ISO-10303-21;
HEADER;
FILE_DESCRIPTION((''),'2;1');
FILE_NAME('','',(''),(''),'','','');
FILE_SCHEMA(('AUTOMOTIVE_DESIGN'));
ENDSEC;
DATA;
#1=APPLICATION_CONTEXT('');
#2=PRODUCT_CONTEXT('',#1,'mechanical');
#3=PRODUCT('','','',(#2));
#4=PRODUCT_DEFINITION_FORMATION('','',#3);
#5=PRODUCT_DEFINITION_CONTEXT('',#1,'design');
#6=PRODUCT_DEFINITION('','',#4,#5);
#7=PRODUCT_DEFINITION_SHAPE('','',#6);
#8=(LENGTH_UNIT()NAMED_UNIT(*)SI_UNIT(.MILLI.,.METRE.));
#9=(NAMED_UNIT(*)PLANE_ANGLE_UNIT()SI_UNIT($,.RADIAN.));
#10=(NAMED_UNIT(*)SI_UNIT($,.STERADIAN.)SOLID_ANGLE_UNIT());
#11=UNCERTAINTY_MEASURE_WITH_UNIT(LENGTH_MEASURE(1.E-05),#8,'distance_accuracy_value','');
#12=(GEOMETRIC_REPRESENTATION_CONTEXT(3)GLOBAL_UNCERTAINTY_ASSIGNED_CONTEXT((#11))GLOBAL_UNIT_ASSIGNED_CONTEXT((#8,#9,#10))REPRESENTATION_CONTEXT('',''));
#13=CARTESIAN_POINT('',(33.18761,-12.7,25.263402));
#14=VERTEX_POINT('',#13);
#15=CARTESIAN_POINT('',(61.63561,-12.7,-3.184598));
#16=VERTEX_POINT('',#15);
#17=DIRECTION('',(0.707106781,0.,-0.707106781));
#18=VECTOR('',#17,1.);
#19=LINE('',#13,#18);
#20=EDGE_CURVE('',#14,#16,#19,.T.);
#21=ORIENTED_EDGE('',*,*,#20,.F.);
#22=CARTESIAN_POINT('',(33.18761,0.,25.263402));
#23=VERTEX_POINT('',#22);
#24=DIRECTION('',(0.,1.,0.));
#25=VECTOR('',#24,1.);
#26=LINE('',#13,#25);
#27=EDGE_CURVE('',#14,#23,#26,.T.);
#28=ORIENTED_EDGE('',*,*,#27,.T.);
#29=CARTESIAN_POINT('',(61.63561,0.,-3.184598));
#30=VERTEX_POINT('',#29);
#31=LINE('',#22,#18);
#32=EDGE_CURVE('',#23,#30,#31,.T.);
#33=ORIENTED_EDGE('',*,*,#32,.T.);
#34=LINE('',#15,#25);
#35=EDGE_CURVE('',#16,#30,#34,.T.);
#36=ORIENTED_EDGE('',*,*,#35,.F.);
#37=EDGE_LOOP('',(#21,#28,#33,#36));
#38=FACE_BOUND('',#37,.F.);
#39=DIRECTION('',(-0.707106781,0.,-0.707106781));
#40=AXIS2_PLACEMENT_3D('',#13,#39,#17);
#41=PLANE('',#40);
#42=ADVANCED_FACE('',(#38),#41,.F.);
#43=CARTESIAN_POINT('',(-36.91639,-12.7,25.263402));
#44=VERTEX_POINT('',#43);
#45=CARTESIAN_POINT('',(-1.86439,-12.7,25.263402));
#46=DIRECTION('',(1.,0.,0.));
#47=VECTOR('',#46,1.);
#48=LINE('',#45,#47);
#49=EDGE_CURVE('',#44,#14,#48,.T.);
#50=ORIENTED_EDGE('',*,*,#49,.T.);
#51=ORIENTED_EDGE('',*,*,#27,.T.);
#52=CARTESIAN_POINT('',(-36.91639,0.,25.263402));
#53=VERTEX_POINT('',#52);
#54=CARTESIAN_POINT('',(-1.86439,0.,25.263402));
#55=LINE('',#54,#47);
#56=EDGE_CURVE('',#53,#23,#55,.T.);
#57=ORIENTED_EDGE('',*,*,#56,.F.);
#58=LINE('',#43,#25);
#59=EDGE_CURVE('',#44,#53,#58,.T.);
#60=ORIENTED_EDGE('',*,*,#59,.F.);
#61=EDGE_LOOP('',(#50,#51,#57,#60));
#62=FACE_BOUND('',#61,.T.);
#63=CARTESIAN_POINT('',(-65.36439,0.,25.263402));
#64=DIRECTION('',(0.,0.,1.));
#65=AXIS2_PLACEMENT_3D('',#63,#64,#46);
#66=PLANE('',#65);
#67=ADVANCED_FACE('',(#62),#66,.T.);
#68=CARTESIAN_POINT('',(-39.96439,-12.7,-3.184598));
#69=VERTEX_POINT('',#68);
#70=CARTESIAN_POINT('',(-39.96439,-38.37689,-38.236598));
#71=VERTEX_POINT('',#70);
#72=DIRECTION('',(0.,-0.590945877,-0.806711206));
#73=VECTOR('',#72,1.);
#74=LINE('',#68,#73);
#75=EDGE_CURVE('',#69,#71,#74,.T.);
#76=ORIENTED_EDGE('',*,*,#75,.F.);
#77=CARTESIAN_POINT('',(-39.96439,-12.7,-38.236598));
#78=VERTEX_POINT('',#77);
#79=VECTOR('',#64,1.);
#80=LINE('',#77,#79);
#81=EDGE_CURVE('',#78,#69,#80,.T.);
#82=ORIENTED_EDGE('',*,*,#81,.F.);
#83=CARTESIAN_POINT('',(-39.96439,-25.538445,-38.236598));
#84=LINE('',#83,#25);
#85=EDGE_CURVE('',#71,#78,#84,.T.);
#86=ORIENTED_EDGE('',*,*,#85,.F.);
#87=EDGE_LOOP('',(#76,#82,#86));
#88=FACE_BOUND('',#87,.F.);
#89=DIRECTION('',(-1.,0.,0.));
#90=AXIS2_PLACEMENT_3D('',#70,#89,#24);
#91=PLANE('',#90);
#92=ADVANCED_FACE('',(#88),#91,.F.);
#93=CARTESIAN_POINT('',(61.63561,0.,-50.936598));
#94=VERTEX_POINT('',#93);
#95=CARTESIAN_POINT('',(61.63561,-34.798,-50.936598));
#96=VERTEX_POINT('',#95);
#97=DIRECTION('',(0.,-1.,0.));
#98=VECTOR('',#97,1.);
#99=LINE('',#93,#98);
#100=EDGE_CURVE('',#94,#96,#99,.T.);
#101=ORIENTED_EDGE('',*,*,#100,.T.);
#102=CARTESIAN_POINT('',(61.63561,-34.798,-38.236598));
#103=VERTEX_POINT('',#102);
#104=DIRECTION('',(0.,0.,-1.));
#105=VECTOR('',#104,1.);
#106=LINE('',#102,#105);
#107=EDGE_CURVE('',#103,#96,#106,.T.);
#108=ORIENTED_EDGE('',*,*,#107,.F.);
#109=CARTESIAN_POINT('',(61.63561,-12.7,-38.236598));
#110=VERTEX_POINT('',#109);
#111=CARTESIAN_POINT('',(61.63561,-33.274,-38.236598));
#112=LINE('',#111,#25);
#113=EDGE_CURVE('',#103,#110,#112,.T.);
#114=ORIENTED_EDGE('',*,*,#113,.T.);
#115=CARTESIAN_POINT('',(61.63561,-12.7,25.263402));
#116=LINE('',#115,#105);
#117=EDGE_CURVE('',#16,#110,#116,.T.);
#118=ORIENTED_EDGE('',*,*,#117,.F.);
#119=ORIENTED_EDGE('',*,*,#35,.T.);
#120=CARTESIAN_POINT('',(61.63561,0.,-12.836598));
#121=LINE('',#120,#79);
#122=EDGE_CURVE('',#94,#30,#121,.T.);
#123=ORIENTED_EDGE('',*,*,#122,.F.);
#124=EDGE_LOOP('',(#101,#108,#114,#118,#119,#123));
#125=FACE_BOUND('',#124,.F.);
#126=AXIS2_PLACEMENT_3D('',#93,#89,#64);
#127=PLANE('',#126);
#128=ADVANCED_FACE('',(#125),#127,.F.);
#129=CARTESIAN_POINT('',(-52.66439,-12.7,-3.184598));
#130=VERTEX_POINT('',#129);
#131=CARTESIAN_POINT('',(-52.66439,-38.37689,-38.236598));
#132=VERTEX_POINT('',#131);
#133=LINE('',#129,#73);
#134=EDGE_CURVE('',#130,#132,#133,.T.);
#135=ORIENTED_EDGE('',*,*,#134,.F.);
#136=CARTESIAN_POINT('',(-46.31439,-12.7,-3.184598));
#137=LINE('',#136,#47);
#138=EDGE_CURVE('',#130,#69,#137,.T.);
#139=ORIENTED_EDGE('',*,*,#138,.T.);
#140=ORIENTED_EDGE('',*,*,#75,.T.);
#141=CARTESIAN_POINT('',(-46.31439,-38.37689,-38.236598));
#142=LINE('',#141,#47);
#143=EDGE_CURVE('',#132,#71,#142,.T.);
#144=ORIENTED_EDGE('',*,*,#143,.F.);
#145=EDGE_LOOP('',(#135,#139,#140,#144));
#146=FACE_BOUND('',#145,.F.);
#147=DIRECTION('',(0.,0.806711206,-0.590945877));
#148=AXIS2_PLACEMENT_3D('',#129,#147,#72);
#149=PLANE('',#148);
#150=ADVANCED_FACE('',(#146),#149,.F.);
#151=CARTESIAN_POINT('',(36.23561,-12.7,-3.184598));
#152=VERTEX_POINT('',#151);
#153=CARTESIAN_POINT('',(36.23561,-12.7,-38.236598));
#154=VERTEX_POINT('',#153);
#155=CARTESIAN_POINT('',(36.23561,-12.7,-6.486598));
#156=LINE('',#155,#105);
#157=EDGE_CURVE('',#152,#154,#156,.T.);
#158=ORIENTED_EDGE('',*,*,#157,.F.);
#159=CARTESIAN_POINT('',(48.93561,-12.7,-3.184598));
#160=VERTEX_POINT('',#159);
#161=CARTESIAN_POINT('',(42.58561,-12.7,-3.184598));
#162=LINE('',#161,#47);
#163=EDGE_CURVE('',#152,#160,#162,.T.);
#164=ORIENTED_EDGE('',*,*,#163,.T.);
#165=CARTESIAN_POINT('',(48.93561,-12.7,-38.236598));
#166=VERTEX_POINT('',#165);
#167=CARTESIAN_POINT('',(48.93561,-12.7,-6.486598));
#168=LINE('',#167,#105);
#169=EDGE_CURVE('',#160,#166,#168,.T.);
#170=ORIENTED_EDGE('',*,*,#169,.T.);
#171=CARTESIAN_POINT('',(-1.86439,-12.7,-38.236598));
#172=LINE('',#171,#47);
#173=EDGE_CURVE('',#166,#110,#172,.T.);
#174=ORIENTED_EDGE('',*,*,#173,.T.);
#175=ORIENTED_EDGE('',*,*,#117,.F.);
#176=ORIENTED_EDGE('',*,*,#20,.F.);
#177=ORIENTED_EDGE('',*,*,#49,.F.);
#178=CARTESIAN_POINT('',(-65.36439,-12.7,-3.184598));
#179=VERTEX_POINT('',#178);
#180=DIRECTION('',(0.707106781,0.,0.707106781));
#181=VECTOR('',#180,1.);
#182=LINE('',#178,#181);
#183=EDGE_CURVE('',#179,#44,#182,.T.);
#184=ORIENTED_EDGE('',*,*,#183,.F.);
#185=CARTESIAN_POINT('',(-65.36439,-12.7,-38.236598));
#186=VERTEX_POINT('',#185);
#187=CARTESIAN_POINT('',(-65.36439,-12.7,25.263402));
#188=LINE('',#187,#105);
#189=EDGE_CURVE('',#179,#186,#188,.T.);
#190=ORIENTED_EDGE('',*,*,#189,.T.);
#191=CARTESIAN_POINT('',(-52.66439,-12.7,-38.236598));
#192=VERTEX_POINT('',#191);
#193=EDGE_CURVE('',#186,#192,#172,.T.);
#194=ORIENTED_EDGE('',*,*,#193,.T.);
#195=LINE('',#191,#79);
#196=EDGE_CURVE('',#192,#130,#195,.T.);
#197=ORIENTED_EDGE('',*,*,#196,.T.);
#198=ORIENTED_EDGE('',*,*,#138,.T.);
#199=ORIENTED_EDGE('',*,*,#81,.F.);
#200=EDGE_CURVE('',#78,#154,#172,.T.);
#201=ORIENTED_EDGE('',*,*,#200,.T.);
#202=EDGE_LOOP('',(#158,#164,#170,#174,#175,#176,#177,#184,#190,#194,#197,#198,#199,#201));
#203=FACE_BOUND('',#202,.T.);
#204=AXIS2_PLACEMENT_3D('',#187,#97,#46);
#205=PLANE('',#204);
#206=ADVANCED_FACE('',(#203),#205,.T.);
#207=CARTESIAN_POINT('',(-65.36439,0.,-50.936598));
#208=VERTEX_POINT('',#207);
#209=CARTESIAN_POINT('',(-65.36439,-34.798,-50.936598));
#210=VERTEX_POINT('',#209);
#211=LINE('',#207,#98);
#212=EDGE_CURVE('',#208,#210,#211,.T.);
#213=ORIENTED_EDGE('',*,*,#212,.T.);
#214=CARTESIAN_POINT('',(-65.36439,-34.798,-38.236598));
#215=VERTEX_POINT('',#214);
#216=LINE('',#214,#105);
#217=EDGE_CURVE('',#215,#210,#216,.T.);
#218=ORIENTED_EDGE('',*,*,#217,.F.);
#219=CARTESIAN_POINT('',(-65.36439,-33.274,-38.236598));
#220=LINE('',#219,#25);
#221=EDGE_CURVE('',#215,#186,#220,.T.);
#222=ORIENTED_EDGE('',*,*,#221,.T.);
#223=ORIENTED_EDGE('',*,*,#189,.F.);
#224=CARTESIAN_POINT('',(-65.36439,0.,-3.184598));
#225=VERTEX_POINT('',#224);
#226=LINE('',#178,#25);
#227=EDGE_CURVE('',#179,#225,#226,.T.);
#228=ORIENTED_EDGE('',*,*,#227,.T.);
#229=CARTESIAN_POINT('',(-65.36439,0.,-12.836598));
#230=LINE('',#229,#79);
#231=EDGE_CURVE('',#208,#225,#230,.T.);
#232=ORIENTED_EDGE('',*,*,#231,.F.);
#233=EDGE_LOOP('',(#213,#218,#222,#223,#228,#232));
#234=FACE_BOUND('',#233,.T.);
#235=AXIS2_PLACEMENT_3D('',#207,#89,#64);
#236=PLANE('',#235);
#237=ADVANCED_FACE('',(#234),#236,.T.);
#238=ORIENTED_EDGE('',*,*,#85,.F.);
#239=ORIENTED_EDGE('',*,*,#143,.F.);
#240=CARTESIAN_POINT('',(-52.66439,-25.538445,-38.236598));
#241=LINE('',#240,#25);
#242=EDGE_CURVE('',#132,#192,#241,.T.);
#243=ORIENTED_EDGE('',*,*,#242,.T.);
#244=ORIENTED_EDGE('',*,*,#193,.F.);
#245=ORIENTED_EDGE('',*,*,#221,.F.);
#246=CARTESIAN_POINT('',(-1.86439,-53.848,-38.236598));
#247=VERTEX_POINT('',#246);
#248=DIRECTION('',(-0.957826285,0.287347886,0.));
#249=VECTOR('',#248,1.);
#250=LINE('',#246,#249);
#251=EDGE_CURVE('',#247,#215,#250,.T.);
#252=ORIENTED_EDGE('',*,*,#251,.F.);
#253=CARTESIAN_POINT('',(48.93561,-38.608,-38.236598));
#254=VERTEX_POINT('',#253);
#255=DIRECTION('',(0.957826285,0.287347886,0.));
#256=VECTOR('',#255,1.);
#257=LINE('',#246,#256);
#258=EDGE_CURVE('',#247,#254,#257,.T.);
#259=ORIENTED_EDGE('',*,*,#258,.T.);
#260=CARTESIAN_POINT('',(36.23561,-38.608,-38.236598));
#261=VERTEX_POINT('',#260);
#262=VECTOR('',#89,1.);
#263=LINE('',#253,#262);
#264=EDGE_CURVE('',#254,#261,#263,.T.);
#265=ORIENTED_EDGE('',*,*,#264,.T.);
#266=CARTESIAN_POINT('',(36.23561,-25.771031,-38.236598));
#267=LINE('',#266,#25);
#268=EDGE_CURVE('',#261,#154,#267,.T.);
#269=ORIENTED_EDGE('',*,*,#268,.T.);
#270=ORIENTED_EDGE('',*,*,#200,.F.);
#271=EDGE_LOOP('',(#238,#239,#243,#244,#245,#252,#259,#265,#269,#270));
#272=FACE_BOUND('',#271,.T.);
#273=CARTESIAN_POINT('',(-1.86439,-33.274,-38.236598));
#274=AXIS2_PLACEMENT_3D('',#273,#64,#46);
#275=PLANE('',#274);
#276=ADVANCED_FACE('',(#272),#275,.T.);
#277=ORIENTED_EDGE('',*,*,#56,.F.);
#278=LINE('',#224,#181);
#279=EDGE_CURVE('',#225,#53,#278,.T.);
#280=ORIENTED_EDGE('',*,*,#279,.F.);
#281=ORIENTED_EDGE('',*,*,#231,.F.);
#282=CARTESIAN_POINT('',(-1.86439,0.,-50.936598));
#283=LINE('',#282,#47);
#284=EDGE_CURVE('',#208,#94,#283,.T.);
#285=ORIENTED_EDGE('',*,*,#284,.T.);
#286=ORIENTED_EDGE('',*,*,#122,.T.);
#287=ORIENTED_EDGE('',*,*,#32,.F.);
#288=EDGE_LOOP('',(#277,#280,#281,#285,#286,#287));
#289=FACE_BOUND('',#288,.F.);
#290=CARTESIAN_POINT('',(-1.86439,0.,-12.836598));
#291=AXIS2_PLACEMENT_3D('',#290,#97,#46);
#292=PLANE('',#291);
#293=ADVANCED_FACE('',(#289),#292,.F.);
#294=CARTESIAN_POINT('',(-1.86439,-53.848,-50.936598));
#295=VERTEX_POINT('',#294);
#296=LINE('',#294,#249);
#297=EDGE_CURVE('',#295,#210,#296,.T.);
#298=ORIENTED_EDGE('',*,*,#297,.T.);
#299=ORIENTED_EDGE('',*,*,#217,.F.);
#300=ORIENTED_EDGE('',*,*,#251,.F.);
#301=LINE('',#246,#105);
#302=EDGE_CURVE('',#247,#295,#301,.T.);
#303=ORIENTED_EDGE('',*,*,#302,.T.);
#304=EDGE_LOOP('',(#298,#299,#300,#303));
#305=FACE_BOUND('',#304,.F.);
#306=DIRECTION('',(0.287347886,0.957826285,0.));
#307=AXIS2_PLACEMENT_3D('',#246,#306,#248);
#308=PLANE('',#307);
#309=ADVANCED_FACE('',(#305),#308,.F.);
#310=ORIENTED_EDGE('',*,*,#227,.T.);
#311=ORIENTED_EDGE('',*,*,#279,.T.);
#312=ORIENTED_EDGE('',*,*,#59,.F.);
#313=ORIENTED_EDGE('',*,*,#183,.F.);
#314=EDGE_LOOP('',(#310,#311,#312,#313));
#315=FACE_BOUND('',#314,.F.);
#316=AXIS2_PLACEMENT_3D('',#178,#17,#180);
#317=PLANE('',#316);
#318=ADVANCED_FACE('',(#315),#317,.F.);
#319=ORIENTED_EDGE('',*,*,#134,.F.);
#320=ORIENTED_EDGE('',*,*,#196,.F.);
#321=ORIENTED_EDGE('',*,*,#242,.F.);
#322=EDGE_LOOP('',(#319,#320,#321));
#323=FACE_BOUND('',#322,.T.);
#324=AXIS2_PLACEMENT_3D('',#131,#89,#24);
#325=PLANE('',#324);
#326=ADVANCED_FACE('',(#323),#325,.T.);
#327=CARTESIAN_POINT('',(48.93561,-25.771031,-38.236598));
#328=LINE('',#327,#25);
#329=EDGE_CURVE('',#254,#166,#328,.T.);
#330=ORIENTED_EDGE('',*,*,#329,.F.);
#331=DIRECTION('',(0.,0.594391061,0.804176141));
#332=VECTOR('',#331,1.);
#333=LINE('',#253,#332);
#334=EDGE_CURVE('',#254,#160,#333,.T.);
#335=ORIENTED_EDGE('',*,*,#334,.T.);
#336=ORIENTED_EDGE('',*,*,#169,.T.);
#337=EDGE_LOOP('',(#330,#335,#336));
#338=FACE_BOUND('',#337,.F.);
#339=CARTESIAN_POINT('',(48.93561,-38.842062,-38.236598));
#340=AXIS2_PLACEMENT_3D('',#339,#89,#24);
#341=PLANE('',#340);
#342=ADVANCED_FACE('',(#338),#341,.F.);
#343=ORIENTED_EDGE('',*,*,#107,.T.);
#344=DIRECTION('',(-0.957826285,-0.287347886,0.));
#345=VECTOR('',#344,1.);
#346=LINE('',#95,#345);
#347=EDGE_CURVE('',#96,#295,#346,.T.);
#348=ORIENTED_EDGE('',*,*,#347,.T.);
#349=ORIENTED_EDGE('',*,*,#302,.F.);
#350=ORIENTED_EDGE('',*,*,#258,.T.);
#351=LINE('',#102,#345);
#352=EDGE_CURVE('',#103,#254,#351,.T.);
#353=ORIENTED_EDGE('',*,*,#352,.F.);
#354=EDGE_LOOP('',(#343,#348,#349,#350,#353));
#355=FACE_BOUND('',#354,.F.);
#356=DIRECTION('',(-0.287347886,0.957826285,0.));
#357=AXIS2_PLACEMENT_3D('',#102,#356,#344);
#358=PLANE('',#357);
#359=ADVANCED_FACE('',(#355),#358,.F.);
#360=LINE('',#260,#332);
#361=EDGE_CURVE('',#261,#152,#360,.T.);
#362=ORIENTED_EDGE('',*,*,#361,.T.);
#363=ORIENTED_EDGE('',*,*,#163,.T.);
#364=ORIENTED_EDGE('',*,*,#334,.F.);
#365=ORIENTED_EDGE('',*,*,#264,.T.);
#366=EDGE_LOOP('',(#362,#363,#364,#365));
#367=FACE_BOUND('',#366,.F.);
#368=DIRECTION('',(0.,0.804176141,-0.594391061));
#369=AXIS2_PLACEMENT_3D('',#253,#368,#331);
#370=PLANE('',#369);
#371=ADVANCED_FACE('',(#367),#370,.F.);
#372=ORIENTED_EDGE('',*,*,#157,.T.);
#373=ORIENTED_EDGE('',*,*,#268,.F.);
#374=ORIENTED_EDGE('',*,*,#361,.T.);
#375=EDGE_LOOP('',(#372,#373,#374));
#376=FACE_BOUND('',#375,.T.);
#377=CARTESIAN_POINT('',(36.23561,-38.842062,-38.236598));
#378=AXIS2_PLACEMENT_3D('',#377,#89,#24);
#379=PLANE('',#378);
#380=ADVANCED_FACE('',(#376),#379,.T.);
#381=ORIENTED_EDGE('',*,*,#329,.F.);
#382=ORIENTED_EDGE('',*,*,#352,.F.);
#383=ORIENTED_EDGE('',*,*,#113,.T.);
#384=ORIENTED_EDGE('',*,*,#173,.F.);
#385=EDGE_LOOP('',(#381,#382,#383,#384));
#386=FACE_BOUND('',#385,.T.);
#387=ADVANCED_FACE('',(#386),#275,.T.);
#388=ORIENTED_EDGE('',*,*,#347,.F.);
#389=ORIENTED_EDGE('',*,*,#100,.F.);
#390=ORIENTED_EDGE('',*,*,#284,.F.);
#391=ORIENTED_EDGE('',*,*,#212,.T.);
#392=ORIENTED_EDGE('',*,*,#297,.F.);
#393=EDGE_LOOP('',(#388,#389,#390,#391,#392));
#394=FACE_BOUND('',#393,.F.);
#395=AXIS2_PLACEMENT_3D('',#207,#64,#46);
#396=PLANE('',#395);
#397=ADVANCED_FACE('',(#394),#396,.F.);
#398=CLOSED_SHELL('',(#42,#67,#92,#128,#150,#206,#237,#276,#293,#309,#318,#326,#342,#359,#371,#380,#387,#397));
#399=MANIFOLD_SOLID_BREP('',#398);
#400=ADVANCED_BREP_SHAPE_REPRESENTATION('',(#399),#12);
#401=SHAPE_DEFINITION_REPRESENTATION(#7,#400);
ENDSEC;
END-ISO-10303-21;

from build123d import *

# Parameters (mm, degrees)
F0_W      = 127
F0_H      = 76.2
F1_DEPTH  = 53.848
F2_W      = 127
F2_H      = 41.148
F3_DEPTH  = 63.5
F5_DEPTH  = 12.7
F7_DEPTH  = 12.7
F8_W      = 12.7
F8_H      = 26.142063
F9_DEPTH  = 35.052
F11_DEPTH = 12.7
F12_W     = 12.7
F12_H     = 25.67689
F13_DEPTH = 35.052
F15_DEPTH = 12.7


with BuildPart() as f1:
    # F0 (on Front) → F1 (new body)
    with BuildSketch(Plane.XZ):
        with Locations((-1.86439, -12.836598)):
            Rectangle(F0_W, F0_H)
    extrude(amount=F1_DEPTH)

    # F2 (on face) → F3 (cut)
    with BuildSketch(Plane.XY.offset(25.263402)):
        with Locations((-1.86439, -33.274)):
            Rectangle(F2_W, F2_H)
    extrude(amount=-F3_DEPTH, mode=Mode.SUBTRACT)

    # F4 (on face) → F5 (cut)
    with BuildSketch(Plane.XZ.offset(12.7)):
        Polygon((-36.91639, 25.263402), (-65.36439, 25.263402), (-65.36439, -3.184598), align=None)
        Polygon((61.63561, 25.263402), (33.18761, 25.263402), (61.63561, -3.184598), align=None)
    extrude(amount=-F5_DEPTH, mode=Mode.SUBTRACT)

    # F6 (on face) → F7 (cut)
    with BuildSketch(Plane.XY.offset(-38.236598)):
        Polygon((-65.36439, -53.848), (-1.86439, -53.848), (-65.36439, -34.798), align=None)
        Polygon((-1.86439, -53.848), (61.63561, -53.848), (61.63561, -34.798), align=None)
    extrude(amount=-F7_DEPTH, mode=Mode.SUBTRACT)

    # F8 (on face) → F9 (join)
    with BuildSketch(Plane.XY.offset(-38.236598)):
        with Locations((42.58561, -25.771031)):
            Rectangle(F8_W, F8_H)
    extrude(amount=F9_DEPTH)

    # F10 (on face) → F11 (cut)
    with BuildSketch(Plane.YZ.offset(48.93561)):
        Polygon((-38.842063, -38.236598), (-38.608, -38.236598), (-12.7, -3.184598), (-38.842063, -3.184598), align=None)
    extrude(amount=-F11_DEPTH, mode=Mode.SUBTRACT)

    # F12 (on face) → F13 (join)
    with BuildSketch(Plane.XY.offset(-38.236598)):
        with Locations((-46.31439, -25.538445)):
            Rectangle(F12_W, F12_H)
    extrude(amount=F13_DEPTH)

    # F14 (on face) → F15 (cut)
    with BuildSketch(Plane(origin=(-52.66439, 0, 0), x_dir=(0, -1, 0), z_dir=(-1, 0, 0))):
        Polygon((38.37689, -3.184598), (12.7, -3.184598), (38.37689, -38.236598), align=None)
    extrude(amount=-F15_DEPTH, mode=Mode.SUBTRACT)


solid = f1.part
